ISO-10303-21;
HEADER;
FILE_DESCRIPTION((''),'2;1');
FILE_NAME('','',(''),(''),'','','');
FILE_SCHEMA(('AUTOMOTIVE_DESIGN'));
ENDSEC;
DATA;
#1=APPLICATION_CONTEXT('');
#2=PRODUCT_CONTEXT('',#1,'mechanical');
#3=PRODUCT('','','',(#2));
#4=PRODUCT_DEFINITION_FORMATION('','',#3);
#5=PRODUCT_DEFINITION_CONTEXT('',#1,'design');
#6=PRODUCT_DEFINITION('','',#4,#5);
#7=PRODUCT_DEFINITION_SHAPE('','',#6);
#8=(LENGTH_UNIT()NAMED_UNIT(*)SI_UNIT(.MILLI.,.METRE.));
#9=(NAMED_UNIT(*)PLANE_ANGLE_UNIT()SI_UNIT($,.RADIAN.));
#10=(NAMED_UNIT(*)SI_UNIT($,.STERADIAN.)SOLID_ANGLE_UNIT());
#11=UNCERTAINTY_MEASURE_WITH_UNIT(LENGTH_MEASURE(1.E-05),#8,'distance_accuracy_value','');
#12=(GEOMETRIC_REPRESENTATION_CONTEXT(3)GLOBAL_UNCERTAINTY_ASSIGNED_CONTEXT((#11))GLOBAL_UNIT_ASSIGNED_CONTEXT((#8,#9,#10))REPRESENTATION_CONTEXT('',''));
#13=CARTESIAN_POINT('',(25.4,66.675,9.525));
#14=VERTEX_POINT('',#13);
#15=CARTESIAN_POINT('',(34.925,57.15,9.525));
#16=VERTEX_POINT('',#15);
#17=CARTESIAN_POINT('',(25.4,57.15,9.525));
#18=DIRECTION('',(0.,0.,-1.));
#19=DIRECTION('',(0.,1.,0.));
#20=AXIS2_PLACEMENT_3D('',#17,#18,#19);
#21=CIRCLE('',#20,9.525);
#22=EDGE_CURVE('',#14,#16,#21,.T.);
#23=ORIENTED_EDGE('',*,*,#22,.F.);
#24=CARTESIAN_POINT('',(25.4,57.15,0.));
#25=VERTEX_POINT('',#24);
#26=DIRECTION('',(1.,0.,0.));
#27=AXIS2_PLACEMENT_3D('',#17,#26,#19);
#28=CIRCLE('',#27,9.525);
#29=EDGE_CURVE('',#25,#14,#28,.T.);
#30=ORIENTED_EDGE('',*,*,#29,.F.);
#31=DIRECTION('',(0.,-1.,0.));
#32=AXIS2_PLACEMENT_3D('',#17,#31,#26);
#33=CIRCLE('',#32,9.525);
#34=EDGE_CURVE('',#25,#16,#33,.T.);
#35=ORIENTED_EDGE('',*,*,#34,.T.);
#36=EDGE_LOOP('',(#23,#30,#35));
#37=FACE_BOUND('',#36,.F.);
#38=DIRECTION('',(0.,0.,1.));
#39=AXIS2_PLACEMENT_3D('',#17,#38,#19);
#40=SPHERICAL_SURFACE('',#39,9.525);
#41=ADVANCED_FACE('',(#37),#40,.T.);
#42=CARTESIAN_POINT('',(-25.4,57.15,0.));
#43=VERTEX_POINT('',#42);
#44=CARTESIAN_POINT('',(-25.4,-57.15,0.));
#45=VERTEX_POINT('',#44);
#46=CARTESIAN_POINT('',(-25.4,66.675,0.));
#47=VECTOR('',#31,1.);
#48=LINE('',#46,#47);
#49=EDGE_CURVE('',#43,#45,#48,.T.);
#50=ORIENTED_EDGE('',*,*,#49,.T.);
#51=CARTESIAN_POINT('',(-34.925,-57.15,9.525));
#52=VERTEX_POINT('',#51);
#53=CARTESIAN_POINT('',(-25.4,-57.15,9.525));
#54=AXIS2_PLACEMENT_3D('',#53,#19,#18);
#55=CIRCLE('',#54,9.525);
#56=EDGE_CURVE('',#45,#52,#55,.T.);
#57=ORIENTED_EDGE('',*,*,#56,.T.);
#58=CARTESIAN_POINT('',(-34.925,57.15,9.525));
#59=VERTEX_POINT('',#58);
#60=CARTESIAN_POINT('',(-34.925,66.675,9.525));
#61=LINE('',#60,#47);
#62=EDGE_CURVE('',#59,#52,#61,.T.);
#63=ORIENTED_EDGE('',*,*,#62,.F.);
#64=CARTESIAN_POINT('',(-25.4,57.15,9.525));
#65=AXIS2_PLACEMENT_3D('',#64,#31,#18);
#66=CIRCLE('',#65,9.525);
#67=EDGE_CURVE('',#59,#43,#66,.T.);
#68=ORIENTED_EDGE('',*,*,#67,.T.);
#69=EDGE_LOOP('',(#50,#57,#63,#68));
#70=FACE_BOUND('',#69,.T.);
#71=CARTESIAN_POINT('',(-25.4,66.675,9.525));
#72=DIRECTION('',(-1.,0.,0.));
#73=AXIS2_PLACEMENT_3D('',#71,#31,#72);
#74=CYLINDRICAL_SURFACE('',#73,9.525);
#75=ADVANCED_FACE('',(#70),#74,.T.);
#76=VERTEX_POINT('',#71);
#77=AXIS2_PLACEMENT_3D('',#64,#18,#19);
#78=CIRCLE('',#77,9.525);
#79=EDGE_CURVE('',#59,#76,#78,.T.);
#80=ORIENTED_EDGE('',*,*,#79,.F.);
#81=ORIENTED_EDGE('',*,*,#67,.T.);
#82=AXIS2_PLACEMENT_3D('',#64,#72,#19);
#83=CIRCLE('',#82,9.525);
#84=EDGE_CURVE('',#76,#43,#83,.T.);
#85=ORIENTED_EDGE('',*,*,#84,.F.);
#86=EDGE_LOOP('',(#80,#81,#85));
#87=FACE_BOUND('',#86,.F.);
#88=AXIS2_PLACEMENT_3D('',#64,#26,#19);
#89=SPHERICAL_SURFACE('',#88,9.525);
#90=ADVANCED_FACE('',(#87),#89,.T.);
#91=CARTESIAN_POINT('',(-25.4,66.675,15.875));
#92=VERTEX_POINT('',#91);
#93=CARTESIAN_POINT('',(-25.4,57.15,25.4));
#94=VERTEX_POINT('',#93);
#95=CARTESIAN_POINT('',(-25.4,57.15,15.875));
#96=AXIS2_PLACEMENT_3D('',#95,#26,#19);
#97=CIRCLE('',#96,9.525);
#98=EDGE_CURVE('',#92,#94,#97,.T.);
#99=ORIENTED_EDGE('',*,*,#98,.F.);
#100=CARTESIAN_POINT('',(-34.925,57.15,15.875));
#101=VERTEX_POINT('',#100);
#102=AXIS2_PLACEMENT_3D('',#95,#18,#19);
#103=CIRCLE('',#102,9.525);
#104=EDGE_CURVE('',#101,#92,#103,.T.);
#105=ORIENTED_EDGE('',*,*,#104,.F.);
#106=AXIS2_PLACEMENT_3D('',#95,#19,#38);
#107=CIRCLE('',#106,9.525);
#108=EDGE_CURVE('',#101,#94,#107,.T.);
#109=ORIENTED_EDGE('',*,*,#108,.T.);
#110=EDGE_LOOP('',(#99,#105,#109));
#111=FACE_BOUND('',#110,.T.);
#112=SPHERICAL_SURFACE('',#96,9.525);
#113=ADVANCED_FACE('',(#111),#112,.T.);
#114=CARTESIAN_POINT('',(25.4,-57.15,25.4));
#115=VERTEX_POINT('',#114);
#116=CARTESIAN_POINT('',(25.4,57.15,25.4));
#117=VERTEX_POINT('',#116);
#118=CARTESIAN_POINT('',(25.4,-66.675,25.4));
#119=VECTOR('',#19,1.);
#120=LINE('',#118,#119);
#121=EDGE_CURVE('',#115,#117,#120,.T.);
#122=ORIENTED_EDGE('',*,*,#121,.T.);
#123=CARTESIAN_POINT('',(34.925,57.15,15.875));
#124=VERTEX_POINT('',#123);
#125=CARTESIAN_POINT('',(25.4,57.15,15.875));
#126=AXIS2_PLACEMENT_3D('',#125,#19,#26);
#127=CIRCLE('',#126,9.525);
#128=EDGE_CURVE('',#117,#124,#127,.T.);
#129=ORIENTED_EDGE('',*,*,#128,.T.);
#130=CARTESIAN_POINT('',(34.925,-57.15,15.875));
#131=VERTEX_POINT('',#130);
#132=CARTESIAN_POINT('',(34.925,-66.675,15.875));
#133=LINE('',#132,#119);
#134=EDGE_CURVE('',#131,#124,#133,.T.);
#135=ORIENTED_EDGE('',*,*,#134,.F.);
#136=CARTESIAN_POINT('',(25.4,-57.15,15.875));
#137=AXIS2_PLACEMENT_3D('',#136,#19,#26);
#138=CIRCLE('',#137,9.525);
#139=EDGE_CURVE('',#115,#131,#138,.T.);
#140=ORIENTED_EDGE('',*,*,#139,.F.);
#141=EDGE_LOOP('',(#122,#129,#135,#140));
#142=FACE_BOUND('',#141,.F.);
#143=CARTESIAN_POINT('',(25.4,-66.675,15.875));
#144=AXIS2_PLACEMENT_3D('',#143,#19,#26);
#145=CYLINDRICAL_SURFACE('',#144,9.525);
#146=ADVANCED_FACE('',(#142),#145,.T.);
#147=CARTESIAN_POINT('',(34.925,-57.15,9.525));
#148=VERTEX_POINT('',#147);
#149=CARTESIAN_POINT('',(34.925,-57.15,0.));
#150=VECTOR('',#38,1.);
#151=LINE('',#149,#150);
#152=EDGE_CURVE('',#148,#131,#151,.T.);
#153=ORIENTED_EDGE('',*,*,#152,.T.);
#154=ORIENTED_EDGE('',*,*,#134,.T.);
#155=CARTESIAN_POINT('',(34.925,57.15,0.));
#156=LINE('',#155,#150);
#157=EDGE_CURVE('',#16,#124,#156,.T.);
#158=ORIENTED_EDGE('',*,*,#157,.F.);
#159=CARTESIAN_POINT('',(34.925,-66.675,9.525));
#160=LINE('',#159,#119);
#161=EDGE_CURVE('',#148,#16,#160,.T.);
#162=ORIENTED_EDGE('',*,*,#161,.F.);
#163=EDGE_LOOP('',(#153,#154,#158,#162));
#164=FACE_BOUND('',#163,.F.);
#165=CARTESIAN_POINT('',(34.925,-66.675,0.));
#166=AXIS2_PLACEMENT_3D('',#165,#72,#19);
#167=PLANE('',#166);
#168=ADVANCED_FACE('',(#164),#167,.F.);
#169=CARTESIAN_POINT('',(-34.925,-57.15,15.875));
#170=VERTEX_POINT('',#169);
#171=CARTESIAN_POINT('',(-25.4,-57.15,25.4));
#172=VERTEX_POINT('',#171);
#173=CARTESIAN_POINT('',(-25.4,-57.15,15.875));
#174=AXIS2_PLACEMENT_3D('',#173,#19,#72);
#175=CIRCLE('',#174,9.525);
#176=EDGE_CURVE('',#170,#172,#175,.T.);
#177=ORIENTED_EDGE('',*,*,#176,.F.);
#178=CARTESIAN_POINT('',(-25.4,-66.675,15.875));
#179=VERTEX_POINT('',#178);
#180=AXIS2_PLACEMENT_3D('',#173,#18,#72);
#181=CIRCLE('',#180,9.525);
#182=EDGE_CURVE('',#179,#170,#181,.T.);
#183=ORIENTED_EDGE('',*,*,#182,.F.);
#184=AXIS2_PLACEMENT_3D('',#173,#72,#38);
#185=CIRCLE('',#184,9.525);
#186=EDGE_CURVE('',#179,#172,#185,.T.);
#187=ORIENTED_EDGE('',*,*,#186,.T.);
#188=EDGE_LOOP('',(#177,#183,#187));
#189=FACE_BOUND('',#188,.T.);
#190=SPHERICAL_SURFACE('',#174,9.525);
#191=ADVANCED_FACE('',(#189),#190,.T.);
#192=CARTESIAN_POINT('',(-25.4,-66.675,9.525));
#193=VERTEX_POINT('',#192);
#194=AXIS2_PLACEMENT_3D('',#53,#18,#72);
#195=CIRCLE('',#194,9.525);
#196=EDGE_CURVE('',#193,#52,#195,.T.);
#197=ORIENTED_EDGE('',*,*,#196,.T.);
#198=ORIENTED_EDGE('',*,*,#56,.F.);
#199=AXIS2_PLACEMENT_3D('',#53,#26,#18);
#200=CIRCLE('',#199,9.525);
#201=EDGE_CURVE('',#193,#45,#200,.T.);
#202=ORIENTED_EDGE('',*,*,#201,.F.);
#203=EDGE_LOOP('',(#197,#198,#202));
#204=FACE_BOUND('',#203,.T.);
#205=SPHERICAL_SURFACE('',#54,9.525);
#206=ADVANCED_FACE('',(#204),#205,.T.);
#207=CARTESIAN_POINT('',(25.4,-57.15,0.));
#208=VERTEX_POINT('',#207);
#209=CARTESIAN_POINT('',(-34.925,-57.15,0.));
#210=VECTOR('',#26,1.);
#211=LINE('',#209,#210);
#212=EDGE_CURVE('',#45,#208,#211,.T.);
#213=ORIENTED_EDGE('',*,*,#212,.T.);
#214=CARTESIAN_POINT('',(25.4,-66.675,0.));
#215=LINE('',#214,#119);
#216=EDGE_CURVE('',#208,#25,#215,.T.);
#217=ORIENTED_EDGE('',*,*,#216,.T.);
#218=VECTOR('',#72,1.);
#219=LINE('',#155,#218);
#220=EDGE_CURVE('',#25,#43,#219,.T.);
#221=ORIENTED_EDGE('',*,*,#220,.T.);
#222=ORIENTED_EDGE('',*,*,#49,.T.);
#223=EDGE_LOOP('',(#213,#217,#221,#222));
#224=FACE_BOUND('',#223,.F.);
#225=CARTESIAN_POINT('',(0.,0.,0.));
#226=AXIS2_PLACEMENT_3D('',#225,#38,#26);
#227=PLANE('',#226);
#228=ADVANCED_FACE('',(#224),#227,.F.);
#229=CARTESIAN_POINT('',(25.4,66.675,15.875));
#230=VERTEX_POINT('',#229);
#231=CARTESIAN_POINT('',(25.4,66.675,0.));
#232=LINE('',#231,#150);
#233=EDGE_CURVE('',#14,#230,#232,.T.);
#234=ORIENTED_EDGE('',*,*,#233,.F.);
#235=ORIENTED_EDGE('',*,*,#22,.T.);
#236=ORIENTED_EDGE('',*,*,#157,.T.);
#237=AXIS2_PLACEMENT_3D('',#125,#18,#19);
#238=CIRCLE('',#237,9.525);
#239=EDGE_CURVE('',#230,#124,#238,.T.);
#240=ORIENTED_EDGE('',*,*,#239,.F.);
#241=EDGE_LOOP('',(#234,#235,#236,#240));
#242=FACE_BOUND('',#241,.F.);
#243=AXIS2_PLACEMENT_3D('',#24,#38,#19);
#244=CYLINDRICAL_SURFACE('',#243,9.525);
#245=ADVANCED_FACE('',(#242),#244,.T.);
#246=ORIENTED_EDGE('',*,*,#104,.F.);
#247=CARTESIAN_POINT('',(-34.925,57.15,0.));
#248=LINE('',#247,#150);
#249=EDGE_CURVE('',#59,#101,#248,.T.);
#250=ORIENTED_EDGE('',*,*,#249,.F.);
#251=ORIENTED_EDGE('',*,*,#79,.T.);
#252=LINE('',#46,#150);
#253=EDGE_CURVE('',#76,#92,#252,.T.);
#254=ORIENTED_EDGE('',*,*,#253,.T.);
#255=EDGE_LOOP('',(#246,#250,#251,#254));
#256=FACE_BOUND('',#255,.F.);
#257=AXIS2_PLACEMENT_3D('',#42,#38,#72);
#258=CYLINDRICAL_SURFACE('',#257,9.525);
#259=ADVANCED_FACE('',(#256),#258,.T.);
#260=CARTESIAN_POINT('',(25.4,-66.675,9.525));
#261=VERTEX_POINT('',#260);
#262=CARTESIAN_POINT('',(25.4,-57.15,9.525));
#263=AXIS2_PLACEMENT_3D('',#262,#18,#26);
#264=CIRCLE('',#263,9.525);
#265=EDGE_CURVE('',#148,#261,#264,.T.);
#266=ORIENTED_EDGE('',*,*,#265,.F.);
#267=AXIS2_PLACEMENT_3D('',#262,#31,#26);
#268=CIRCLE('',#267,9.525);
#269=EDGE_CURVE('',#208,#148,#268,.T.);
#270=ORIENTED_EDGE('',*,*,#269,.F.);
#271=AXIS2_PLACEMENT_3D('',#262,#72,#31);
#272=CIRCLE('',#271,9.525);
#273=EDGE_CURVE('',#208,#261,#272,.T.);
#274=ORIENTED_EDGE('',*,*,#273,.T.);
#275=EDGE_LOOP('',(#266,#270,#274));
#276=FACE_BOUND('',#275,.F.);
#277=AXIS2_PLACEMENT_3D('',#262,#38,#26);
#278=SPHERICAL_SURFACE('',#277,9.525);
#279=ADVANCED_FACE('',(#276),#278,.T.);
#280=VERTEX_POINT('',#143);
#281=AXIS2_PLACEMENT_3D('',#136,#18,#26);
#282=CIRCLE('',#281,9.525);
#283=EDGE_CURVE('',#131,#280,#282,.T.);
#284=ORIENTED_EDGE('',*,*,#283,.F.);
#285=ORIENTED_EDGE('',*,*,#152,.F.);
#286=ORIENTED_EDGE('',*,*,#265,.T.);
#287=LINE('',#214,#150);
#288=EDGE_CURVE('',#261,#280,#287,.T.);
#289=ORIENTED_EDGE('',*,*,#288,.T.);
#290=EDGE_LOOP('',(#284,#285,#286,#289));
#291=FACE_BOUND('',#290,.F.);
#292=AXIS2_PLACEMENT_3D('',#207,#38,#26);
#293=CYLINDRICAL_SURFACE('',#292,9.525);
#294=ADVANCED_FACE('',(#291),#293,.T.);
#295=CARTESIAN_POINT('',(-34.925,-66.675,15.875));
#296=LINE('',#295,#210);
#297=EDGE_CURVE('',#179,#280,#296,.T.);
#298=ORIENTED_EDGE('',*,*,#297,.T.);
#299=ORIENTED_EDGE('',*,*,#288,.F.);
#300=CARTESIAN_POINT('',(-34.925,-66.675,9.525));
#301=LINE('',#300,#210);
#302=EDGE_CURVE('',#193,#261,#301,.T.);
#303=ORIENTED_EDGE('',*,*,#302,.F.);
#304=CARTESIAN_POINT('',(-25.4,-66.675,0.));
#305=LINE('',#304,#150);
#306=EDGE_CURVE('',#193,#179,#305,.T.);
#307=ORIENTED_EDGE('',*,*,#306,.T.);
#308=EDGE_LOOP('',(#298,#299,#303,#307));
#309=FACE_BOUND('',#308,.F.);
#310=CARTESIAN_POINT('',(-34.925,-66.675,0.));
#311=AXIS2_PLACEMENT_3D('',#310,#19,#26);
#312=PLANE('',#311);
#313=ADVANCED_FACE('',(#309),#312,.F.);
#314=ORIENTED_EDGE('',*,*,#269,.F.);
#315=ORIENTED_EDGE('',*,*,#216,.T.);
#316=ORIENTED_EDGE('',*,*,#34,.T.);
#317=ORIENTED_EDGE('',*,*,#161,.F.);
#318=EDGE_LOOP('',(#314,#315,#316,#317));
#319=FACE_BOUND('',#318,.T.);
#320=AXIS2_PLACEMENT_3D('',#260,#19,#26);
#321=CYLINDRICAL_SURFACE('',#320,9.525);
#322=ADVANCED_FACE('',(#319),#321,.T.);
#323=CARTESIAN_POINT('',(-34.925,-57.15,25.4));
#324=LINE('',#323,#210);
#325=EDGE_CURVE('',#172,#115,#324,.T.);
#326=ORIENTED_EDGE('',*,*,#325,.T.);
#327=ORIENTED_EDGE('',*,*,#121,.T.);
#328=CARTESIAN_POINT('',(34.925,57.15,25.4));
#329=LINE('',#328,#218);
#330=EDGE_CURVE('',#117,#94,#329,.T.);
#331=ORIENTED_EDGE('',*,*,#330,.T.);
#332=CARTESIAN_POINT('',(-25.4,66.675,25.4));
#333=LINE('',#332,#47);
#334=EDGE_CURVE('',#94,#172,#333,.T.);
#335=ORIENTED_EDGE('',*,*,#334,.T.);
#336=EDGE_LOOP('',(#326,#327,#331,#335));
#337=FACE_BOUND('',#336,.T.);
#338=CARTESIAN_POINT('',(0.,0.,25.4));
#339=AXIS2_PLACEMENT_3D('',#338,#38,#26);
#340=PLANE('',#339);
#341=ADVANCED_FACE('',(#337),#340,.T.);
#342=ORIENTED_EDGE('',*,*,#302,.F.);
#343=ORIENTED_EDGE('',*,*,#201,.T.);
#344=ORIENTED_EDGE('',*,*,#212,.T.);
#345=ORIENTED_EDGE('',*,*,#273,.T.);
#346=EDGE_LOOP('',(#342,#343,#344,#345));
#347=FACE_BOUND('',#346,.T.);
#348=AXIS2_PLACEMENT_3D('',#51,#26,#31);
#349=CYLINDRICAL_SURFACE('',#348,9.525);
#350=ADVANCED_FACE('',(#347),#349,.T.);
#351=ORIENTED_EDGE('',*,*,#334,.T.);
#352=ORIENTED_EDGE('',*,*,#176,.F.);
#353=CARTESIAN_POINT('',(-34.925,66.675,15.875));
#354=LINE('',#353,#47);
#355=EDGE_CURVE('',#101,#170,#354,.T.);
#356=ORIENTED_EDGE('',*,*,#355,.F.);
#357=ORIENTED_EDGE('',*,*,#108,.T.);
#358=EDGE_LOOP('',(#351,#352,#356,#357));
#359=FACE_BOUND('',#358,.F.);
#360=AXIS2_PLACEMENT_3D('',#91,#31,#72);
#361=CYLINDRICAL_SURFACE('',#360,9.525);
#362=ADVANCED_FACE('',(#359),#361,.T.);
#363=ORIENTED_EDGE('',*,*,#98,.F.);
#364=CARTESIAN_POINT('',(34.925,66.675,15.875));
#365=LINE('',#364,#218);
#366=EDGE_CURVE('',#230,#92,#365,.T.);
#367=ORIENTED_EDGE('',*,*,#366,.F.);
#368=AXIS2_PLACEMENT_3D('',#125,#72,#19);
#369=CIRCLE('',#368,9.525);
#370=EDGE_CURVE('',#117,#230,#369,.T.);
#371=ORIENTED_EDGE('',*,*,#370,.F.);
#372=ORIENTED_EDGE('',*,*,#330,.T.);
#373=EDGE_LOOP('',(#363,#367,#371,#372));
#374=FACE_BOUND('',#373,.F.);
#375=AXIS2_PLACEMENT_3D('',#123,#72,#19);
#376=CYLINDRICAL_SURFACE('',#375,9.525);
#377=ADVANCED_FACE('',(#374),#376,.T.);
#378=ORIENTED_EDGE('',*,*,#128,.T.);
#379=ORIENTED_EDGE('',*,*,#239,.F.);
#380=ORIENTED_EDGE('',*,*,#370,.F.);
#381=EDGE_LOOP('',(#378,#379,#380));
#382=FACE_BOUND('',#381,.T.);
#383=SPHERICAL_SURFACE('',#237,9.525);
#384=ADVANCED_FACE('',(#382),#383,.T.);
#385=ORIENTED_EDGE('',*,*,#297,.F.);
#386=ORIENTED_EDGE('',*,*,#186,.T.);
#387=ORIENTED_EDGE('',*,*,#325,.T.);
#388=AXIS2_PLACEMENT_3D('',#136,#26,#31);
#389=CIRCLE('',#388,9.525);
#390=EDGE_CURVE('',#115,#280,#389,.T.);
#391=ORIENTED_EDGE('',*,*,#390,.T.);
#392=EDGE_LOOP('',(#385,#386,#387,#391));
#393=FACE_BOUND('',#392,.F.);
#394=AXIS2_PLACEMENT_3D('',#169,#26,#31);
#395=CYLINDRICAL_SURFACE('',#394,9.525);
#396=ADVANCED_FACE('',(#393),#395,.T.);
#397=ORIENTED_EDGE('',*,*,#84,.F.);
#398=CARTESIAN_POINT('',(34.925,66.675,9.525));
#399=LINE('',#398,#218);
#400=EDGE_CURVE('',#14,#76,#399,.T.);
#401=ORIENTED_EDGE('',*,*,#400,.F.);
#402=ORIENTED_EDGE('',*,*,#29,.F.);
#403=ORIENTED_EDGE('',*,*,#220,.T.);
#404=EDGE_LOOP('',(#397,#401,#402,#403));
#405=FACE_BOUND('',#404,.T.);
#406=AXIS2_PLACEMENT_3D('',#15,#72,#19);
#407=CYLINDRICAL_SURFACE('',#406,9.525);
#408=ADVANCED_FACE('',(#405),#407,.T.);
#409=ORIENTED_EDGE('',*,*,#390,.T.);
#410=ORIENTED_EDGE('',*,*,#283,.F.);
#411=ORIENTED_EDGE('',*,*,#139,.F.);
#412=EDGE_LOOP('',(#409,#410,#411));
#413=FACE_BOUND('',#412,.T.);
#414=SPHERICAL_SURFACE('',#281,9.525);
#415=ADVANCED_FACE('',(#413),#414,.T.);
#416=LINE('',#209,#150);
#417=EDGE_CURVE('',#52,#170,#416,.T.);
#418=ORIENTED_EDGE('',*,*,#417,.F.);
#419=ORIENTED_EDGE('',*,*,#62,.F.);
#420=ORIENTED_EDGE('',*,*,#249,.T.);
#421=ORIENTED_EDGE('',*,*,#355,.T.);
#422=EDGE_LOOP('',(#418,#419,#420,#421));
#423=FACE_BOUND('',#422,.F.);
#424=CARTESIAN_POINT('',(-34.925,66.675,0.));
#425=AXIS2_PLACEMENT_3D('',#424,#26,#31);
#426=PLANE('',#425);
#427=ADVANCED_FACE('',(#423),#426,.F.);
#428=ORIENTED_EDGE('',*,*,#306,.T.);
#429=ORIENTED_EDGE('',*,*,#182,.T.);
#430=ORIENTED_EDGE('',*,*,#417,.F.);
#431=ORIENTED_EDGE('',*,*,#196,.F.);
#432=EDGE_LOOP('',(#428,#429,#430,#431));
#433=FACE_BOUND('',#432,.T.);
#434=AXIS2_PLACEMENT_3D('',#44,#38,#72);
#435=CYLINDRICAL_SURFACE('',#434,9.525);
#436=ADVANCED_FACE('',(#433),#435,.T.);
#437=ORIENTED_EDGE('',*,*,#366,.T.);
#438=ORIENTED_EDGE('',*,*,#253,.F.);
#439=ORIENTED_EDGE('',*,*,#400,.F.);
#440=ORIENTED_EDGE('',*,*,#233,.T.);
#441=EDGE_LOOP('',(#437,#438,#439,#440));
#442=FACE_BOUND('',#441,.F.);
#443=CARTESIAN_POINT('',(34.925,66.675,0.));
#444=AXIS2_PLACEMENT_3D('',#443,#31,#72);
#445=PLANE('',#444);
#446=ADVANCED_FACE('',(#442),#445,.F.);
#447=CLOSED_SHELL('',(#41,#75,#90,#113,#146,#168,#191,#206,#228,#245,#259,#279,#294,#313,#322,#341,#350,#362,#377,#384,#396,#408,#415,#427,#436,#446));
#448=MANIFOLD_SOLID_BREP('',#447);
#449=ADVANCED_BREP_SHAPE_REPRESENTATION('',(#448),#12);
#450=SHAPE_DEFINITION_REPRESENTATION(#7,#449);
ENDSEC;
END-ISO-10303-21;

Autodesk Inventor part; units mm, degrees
ref_plane "YZ Plane" through (0, 0, 0) normal (1, 0, 0) x (0, 1, 0)
ref_plane "XZ Plane" through (0, 0, 0) normal (0, 1, 0) x (-1, 0, 0)
ref_plane "XY Plane" through (0, 0, 0) normal (0, 0, 1) x (1, 0, 0)
sketch "Sketch1" plane through (0, 0, 0) normal (0, 0, 1) x (1, 0, 0)
  line L0 (-34.925, -66.675) -> (34.925, -66.675)
  line L1 (34.925, -66.675) -> (34.925, 66.675)
  line L2 (34.925, 66.675) -> (-34.925, 66.675)
  line L3 (-34.925, 66.675) -> (-34.925, -66.675)
  line L4 (-34.925, -66.675) -> (34.925, 66.675) construction
  line L5 (34.925, -66.675) -> (-34.925, 66.675) construction
  point P0 (0, 0)
  dimension "d0" = 69.85
  dimension "d1" = 133.35
extrude "Extrusion1" add sketch "Sketch1" along normal blind 25.4
fillet "Fillet1" radius 9.525 12 edges at (34.925, 66.675, 12.7) (0, 66.675, 25.4) (0, 66.675, 0) (-34.925, 66.675, 12.7) (34.925, -66.675, 12.7) (34.925, 0, 25.4) (34.925, 0, 0) (-34.925, 0, 25.4) (-34.925, 0, 0) (0, -66.675, 0) (-34.925, -66.675, 12.7) (0, -66.675, 25.4)
properties part number "iniu_battery"
